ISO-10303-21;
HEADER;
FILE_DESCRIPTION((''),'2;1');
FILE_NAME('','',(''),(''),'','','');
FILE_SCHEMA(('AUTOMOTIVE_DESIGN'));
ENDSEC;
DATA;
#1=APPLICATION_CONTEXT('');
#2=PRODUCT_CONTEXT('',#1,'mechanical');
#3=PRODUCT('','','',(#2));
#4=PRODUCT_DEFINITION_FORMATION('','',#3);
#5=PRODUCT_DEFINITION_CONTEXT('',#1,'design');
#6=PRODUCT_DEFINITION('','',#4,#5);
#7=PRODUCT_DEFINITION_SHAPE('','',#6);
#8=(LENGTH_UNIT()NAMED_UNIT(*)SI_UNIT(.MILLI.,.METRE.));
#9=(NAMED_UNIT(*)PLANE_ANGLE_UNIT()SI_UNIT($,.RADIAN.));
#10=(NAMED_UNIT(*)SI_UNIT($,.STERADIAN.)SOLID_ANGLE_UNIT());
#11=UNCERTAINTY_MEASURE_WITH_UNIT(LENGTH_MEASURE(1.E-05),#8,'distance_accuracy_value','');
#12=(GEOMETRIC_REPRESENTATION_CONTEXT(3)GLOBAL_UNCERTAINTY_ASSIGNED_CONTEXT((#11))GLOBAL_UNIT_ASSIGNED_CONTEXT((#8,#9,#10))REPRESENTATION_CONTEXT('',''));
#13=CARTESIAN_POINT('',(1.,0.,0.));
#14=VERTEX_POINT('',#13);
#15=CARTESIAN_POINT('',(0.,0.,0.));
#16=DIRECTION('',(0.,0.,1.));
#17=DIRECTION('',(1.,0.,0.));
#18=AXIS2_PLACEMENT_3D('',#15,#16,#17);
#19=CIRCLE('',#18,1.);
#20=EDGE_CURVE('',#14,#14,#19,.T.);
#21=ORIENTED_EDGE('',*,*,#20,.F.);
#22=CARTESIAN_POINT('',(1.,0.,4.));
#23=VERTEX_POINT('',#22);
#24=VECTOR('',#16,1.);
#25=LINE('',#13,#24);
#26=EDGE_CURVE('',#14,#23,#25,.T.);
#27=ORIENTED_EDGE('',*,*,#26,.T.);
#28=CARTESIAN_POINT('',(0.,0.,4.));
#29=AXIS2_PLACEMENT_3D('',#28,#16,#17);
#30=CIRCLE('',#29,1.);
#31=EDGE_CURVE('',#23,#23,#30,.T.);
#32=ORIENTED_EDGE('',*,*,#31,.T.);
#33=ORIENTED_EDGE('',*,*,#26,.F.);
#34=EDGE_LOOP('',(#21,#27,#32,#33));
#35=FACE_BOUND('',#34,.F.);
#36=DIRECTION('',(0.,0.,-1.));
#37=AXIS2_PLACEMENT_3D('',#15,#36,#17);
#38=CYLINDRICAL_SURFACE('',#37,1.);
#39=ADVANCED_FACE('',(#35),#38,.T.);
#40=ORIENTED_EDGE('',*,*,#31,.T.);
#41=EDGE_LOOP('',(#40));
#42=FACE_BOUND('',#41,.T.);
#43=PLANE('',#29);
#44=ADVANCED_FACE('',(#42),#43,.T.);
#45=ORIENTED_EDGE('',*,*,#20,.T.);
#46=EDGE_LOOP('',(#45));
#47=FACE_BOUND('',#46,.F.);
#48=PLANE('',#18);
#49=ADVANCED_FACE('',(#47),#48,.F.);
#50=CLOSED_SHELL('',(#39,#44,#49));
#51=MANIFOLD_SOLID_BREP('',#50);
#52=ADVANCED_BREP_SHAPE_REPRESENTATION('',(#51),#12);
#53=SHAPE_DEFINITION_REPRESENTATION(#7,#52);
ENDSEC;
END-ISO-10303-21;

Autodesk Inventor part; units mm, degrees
ref_plane "YZ Plane" through (0, 0, 0) normal (1, 0, 0) x (0, 1, 0)
ref_plane "XZ Plane" through (0, 0, 0) normal (0, 1, 0) x (-1, 0, 0)
ref_plane "XY Plane" through (0, 0, 0) normal (0, 0, 1) x (1, 0, 0)
sketch "Sketch1" plane through (0, 0, 0) normal (0, 0, 1) x (1, 0, 0)
  circle A0 centre (0, 0) radius 1
  dimension "d0" = 2
extrude "Extrusion1" add sketch "Sketch1" along normal blind 4
properties part number "Encaixe_28_2" material "Liga de Nickel-Copper 400"
